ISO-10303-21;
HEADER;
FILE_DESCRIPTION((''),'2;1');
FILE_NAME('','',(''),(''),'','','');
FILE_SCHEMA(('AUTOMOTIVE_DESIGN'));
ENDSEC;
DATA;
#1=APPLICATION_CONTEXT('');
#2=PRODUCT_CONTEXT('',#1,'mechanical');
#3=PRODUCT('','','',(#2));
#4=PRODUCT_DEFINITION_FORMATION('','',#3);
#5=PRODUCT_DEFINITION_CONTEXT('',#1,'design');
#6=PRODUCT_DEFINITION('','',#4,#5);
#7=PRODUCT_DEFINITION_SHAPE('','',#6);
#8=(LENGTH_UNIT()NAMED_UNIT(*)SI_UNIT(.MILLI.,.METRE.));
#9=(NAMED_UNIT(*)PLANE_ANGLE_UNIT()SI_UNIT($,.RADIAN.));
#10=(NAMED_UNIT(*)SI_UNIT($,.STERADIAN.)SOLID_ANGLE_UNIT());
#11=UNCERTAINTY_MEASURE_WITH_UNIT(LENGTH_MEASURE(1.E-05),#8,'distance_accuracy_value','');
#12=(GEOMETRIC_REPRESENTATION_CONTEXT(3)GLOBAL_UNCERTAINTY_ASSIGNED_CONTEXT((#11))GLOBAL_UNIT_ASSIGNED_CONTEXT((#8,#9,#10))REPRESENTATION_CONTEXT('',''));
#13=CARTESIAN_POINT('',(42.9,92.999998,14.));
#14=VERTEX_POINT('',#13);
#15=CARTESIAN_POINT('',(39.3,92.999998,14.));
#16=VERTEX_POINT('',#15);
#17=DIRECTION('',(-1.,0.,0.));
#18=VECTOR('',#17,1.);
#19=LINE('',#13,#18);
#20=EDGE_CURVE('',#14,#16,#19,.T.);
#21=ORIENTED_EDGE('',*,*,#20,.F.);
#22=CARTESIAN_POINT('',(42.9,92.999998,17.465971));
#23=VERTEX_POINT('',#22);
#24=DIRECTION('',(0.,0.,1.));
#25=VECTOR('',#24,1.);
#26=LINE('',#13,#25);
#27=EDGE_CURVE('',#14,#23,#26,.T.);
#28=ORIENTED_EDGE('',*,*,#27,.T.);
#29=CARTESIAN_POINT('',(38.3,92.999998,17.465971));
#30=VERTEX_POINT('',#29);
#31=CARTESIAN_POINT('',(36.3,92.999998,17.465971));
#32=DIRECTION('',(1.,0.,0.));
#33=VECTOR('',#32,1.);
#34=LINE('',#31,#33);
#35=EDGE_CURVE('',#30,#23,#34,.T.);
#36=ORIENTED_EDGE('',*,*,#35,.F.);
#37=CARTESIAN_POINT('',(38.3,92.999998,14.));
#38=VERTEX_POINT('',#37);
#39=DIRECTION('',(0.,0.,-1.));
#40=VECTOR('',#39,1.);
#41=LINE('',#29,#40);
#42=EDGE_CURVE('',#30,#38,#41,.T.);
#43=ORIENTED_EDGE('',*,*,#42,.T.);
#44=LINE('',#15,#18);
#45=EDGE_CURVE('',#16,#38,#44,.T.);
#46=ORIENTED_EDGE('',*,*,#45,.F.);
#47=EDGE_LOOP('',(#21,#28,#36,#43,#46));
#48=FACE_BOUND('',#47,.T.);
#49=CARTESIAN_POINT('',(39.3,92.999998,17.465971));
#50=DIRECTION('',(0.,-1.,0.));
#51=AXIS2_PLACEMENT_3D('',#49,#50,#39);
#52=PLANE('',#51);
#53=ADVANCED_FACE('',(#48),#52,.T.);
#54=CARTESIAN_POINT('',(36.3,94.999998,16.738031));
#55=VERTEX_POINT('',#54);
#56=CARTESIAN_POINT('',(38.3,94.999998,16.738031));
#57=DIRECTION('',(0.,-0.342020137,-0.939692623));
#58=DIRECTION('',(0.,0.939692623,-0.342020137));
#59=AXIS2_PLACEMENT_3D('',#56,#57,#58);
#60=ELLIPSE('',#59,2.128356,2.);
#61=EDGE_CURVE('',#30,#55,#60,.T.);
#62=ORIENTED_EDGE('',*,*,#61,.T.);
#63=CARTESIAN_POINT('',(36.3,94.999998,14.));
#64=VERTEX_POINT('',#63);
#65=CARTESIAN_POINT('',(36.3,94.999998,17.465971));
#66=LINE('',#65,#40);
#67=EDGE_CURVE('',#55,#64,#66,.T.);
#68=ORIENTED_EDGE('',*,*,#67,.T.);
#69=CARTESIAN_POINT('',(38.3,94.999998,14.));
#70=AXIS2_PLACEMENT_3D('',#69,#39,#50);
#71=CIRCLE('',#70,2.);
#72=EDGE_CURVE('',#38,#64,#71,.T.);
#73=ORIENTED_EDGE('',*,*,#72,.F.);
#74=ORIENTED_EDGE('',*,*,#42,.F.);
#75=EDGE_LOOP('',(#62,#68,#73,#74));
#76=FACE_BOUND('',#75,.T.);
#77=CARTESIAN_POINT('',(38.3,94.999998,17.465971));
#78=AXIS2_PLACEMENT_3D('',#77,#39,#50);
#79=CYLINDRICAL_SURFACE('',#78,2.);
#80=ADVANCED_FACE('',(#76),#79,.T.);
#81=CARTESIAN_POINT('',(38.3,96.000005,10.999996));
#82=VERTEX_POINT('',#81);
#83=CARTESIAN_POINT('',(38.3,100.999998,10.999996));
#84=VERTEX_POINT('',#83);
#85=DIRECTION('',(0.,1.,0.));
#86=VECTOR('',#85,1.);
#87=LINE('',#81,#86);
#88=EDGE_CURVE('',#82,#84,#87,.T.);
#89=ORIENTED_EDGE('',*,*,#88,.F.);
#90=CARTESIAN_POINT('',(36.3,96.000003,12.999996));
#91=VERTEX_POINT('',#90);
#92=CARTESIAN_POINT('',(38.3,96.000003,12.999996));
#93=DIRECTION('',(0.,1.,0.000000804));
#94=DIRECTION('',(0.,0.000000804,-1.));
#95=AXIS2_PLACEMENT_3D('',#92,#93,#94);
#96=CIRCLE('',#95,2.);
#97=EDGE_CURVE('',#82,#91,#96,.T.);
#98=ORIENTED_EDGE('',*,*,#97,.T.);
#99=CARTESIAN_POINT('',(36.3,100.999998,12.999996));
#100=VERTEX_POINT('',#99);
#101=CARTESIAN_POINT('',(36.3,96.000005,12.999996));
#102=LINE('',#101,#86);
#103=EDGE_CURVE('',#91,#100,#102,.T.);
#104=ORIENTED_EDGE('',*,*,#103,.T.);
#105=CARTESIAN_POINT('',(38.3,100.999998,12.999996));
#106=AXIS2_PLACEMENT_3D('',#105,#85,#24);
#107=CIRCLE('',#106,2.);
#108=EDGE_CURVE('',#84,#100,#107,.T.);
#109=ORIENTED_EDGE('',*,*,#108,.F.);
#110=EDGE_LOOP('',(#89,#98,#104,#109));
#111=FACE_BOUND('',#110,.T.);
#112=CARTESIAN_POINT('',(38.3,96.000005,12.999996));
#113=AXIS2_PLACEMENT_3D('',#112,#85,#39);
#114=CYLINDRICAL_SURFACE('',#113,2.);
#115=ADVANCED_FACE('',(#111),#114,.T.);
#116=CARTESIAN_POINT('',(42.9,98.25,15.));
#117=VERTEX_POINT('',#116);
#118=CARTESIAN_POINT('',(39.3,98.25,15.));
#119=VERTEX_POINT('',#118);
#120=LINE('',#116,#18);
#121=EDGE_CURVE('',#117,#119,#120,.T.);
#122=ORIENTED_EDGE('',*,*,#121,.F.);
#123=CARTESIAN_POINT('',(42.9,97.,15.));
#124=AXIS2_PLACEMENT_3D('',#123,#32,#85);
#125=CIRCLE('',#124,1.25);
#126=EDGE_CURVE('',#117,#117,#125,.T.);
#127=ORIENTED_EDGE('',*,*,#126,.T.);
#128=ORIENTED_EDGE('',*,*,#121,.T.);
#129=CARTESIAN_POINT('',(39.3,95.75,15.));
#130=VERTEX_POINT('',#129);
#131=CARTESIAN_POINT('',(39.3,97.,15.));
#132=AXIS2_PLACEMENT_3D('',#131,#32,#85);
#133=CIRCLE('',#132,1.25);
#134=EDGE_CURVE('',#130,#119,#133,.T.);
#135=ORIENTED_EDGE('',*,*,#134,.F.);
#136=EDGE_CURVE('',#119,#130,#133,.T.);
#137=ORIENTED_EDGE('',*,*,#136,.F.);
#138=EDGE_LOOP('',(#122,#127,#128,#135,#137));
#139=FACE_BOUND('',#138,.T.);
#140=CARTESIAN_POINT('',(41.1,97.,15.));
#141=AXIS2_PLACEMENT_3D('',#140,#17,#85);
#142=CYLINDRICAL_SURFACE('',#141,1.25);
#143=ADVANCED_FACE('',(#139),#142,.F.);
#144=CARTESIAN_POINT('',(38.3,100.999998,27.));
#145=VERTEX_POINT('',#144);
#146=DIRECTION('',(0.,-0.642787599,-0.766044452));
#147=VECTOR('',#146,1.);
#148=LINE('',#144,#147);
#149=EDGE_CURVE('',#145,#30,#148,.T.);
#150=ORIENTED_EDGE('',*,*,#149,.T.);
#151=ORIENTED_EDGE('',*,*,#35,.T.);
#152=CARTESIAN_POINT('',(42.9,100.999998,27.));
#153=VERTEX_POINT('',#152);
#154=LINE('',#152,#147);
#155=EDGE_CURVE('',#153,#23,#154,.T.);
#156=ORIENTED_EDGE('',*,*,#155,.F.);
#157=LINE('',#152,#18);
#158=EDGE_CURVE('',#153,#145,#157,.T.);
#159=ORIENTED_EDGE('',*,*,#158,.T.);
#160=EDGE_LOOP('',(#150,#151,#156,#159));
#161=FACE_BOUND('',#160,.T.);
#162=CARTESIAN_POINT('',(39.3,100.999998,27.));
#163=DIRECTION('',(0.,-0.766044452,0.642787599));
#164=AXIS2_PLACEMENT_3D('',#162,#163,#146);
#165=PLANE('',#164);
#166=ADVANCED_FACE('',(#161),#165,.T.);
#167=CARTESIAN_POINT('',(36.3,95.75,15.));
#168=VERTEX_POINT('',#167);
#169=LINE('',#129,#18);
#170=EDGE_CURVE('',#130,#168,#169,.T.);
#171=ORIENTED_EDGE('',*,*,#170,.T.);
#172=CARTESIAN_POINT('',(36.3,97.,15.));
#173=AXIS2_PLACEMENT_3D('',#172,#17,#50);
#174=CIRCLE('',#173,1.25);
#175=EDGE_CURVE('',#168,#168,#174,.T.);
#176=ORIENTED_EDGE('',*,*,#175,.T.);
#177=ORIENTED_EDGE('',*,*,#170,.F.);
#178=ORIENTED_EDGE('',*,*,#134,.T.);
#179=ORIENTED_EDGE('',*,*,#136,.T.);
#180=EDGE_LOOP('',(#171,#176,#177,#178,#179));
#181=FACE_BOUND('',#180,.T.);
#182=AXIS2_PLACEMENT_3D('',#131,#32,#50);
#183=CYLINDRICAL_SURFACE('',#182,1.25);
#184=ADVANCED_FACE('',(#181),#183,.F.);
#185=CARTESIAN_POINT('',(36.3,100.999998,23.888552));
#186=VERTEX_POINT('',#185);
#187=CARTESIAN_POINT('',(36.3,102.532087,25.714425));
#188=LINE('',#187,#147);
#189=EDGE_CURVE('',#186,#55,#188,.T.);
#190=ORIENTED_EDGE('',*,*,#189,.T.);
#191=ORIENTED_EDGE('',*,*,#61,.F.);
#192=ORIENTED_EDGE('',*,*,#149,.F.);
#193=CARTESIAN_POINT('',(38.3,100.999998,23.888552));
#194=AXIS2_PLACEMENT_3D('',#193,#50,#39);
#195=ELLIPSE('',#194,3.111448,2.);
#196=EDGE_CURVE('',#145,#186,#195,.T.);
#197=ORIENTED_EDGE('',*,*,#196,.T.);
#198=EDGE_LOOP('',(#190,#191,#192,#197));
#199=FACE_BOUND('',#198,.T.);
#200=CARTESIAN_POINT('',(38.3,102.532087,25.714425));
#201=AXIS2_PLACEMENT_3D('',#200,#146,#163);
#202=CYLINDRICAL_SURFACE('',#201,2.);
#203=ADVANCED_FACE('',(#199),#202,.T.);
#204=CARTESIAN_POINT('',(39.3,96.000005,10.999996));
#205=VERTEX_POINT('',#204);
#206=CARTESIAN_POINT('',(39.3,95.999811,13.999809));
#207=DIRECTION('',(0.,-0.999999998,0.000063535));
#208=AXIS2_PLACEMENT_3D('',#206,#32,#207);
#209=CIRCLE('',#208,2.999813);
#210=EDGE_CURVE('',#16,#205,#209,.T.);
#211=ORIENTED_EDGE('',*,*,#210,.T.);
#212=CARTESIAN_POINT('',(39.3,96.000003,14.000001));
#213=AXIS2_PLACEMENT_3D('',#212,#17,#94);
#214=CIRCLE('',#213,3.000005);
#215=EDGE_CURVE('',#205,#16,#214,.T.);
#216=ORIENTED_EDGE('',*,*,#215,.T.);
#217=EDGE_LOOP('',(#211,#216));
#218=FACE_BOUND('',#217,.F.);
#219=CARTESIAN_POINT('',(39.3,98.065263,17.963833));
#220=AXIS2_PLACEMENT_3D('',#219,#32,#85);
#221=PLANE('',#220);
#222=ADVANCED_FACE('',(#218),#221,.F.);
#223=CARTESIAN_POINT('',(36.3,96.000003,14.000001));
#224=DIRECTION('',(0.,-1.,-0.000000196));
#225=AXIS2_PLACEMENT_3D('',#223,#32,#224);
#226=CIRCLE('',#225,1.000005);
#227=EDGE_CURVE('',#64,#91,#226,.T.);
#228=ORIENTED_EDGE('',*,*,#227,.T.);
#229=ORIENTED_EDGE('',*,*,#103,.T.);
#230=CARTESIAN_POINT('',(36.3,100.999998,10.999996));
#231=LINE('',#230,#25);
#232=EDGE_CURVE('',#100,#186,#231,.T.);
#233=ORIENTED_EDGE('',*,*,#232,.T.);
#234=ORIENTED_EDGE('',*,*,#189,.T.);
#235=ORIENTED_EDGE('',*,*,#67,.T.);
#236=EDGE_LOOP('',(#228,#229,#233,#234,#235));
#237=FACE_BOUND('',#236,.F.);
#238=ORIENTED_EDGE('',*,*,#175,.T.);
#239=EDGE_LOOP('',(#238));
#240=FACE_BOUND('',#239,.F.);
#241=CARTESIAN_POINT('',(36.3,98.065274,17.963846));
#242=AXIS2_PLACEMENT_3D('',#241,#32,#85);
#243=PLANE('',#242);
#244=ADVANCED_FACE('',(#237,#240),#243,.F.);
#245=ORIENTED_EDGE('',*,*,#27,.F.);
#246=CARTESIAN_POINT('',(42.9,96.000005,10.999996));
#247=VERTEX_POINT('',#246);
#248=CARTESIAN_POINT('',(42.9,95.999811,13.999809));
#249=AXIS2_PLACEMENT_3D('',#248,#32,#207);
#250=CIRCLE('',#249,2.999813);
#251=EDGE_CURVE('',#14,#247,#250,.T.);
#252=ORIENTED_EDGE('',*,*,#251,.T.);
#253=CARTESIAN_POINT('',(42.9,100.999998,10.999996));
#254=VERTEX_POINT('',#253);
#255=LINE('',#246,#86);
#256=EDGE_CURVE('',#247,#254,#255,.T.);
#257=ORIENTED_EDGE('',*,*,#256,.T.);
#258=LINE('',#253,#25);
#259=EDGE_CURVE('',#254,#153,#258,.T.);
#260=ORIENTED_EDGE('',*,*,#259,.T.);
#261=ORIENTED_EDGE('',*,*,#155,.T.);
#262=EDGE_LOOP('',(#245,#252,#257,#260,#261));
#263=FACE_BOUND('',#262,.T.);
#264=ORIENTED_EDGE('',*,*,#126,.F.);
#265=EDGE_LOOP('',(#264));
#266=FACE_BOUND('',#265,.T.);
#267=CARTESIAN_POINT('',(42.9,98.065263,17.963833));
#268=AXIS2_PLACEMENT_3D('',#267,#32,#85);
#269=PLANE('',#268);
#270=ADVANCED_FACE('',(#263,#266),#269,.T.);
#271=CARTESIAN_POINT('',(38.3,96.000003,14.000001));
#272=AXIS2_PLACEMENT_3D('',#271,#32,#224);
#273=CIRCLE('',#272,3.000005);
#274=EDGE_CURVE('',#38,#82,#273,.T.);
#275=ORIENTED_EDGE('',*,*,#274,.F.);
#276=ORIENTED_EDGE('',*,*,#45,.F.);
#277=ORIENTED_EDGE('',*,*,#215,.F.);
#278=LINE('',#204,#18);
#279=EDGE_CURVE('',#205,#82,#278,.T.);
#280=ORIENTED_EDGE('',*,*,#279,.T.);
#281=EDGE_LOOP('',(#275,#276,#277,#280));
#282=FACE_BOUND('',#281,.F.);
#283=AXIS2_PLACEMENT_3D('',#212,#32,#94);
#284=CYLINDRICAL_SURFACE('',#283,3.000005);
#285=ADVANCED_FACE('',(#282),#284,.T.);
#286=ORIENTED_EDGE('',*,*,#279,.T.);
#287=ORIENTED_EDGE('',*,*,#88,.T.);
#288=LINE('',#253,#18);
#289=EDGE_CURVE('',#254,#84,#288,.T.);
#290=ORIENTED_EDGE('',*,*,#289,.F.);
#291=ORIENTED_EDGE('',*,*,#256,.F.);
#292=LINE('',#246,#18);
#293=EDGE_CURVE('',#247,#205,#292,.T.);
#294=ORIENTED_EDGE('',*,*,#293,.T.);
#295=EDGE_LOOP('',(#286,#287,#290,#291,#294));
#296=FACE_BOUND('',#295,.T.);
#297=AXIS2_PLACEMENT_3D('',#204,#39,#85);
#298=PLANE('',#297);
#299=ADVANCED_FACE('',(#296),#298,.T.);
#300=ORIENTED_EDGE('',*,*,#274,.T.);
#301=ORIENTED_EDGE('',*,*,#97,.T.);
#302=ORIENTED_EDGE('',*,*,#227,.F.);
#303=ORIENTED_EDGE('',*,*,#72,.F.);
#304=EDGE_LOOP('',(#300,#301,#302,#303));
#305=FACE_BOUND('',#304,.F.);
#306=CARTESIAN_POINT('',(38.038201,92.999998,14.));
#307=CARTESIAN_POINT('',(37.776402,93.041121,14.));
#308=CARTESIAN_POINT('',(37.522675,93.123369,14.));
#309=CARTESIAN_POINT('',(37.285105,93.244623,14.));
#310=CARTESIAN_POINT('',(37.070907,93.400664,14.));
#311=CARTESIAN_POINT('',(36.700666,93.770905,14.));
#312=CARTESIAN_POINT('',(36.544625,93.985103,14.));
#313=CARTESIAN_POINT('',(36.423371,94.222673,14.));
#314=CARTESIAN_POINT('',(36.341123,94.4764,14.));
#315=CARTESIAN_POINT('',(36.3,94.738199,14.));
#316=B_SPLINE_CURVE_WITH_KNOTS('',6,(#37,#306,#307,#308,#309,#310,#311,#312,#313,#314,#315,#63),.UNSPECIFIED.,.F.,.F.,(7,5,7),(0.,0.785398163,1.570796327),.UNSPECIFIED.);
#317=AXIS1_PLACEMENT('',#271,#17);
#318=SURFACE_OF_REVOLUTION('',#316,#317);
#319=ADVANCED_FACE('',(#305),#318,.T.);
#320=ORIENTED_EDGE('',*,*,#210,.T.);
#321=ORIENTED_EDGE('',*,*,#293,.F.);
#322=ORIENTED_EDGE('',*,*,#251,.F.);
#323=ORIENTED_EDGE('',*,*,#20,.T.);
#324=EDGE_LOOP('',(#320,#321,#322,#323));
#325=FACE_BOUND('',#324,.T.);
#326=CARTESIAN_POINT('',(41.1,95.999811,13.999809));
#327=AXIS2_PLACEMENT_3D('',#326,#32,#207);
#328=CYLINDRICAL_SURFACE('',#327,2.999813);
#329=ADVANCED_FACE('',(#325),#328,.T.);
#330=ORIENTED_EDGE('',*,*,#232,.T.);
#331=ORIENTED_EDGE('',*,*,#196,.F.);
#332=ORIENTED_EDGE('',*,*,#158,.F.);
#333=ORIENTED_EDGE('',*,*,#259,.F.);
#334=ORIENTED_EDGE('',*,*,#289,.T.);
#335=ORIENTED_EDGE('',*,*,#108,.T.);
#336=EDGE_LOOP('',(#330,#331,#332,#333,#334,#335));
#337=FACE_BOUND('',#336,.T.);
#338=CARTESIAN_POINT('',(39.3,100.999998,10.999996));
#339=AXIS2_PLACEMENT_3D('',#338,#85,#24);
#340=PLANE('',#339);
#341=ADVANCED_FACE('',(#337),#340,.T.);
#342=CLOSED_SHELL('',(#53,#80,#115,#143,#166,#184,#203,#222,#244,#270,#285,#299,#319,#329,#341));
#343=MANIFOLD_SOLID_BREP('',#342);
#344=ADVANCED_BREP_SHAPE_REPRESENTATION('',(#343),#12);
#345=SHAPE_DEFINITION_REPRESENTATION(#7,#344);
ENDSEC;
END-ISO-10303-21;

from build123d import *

# Parameters (mm, degrees)
SKETCH062_R  = 1.25
PAD029_DEPTH = 1.8
SKETCH064_R  = 1.25
PAD032_DEPTH = 3
FILLET004_R  = 2


with BuildPart() as part:
    # Sketch062 → Pad029 (new body, symmetric)
    with BuildSketch(Plane.YZ.offset(-41.1)):
        with BuildLine():
            Line((96.000005, 10.999996), (100.999998, 10.999996))
            Line((100.999998, 10.999996), (100.999998, 27))
            Line((100.999998, 27), (92.999998, 17.465971))
            Line((92.999998, 14), (92.999998, 17.465971))
            ThreePointArc((92.999998, 14), (93.878624, 11.87862), (96.000005, 10.999996))
        make_face()
        with Locations((97, 15)):
            Circle(SKETCH062_R, mode=Mode.SUBTRACT)
    extrude(amount=PAD029_DEPTH, both=True)

    # Sketch064 (on Face7 of Clone022) → Pad032 (new body)
    with BuildSketch(Plane(origin=(-42.9, 0, 0), x_dir=(0, -1, 0), z_dir=(-1, 0, 0))):
        with BuildLine():
            Line((-100.999998, 27), (-92.999998, 17.465971))
            Line((-92.999998, 17.465971), (-92.999998, 14))
            ThreePointArc((-96.000005, 10.999996), (-93.87868, 11.878676), (-92.999998, 14))
            Line((-96.000005, 10.999996), (-100.999998, 10.999996))
            Line((-100.999998, 10.999996), (-100.999998, 27))
        make_face()
        with Locations((-97, 15)):
            Circle(SKETCH064_R, mode=Mode.SUBTRACT)
    extrude(amount=PAD032_DEPTH)

    # Fillet004
    fillet004_edges = [part.edges().sort_by_distance(p)[0] for p in [
        (-45.9, 98.500001, 10.999996),
        (-45.9, 93.87868, 11.878676),
        (-45.9, 92.999998, 15.732986),
        (-45.9, 96.999998, 22.232986),
    ]]
    fillet(fillet004_edges, radius=FILLET004_R)


with BuildPart() as part_1:
    # Body045 placement: moved
    add(part.part.moved(Location((82.2, 0, 0))))


solid = part_1.part
